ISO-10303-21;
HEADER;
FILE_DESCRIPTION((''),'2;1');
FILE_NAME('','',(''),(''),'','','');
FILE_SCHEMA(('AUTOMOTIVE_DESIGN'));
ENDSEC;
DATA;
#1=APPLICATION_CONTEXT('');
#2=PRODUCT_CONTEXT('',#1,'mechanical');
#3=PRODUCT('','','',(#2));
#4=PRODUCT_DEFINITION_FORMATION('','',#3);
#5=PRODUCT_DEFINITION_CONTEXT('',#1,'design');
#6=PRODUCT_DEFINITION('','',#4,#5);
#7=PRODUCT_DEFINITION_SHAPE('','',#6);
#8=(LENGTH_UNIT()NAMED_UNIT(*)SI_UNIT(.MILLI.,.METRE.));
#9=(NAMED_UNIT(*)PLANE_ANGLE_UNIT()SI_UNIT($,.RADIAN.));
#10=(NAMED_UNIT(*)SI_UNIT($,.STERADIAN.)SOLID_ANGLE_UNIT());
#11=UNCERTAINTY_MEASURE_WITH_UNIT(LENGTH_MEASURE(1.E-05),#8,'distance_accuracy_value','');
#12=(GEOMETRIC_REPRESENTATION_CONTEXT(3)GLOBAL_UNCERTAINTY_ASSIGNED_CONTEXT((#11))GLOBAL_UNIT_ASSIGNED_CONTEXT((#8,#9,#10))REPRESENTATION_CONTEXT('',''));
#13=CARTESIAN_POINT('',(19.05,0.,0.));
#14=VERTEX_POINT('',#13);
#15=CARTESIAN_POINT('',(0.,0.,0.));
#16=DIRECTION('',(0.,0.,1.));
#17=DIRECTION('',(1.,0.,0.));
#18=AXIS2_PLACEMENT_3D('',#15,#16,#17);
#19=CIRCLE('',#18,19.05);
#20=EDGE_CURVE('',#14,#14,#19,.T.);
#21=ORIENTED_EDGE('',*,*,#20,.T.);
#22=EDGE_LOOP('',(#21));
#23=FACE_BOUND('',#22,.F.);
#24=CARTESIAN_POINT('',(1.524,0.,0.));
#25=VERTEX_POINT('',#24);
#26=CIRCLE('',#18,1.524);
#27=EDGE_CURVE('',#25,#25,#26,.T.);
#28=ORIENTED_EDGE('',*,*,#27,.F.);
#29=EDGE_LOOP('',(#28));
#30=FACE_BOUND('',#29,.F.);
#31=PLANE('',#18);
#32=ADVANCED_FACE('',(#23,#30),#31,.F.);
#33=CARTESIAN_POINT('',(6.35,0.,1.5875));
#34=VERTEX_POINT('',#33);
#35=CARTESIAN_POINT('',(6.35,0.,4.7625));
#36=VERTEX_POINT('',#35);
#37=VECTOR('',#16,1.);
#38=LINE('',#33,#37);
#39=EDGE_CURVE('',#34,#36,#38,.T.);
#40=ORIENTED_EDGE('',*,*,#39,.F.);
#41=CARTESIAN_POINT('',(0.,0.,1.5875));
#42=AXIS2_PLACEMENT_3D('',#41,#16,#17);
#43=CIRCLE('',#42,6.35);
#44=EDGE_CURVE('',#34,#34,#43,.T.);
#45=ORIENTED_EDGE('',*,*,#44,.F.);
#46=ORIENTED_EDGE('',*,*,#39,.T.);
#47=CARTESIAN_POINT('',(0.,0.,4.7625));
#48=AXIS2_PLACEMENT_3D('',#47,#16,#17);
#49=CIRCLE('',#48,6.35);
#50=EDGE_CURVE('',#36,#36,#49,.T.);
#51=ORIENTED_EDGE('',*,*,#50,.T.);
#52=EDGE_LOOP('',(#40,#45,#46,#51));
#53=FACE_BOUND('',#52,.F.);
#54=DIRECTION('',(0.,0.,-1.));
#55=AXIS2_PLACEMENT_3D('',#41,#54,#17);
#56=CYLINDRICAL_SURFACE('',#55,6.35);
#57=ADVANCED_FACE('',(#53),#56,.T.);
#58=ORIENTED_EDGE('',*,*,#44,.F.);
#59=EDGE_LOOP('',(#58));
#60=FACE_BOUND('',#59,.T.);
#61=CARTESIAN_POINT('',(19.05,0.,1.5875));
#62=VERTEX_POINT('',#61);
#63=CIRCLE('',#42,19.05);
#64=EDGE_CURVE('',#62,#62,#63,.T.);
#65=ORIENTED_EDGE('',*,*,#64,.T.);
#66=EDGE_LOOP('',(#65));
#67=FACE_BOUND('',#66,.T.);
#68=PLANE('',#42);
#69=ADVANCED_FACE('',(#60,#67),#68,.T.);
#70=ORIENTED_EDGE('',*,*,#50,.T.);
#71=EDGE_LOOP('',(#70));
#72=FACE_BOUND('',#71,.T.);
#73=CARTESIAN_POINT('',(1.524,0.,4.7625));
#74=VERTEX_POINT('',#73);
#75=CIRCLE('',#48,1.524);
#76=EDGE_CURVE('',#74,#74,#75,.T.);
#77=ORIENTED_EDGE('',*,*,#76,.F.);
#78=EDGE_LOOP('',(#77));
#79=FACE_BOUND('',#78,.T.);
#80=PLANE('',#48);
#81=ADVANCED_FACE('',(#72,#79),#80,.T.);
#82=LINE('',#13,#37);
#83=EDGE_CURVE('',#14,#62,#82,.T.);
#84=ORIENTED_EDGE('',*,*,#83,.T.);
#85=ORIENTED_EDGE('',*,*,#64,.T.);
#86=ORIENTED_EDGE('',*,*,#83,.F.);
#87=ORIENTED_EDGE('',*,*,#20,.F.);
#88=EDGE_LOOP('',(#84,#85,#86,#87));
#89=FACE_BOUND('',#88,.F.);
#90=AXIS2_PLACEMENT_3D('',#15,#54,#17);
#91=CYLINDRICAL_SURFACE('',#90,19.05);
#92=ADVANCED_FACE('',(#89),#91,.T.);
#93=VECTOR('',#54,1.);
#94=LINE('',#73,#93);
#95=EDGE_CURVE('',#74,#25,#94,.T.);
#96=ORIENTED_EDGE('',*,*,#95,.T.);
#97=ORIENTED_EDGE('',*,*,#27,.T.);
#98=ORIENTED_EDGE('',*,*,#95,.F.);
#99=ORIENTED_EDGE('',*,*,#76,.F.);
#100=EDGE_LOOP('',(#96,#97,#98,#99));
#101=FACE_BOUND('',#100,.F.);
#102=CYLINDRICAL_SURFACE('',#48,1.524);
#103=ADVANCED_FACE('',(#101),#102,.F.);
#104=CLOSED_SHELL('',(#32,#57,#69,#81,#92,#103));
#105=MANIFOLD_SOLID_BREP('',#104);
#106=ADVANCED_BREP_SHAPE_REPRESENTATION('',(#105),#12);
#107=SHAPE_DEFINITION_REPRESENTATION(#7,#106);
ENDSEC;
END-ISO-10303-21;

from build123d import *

# Parameters (mm, degrees)
F0_R     = 19.05
F1_DEPTH = 1.5875
F2_R     = 6.35
F3_DEPTH = 3.175
F4_R     = 1.524
F5_DEPTH = 4.7635


with BuildPart() as f1:
    # F0 (on Top) → F1 (new body)
    with BuildSketch(Plane.XY):
        Circle(F0_R)
    extrude(amount=F1_DEPTH)

    # F2 (on face) → F3 (join)
    with BuildSketch(Plane.XY.offset(1.5875)):
        Circle(F2_R)
    extrude(amount=F3_DEPTH)

    # F4 (on face) → F5 (cut, through all)
    with BuildSketch(Plane.XY.offset(4.7625)):
        Circle(F4_R)
    extrude(amount=-F5_DEPTH, mode=Mode.SUBTRACT)


solid = f1.part
